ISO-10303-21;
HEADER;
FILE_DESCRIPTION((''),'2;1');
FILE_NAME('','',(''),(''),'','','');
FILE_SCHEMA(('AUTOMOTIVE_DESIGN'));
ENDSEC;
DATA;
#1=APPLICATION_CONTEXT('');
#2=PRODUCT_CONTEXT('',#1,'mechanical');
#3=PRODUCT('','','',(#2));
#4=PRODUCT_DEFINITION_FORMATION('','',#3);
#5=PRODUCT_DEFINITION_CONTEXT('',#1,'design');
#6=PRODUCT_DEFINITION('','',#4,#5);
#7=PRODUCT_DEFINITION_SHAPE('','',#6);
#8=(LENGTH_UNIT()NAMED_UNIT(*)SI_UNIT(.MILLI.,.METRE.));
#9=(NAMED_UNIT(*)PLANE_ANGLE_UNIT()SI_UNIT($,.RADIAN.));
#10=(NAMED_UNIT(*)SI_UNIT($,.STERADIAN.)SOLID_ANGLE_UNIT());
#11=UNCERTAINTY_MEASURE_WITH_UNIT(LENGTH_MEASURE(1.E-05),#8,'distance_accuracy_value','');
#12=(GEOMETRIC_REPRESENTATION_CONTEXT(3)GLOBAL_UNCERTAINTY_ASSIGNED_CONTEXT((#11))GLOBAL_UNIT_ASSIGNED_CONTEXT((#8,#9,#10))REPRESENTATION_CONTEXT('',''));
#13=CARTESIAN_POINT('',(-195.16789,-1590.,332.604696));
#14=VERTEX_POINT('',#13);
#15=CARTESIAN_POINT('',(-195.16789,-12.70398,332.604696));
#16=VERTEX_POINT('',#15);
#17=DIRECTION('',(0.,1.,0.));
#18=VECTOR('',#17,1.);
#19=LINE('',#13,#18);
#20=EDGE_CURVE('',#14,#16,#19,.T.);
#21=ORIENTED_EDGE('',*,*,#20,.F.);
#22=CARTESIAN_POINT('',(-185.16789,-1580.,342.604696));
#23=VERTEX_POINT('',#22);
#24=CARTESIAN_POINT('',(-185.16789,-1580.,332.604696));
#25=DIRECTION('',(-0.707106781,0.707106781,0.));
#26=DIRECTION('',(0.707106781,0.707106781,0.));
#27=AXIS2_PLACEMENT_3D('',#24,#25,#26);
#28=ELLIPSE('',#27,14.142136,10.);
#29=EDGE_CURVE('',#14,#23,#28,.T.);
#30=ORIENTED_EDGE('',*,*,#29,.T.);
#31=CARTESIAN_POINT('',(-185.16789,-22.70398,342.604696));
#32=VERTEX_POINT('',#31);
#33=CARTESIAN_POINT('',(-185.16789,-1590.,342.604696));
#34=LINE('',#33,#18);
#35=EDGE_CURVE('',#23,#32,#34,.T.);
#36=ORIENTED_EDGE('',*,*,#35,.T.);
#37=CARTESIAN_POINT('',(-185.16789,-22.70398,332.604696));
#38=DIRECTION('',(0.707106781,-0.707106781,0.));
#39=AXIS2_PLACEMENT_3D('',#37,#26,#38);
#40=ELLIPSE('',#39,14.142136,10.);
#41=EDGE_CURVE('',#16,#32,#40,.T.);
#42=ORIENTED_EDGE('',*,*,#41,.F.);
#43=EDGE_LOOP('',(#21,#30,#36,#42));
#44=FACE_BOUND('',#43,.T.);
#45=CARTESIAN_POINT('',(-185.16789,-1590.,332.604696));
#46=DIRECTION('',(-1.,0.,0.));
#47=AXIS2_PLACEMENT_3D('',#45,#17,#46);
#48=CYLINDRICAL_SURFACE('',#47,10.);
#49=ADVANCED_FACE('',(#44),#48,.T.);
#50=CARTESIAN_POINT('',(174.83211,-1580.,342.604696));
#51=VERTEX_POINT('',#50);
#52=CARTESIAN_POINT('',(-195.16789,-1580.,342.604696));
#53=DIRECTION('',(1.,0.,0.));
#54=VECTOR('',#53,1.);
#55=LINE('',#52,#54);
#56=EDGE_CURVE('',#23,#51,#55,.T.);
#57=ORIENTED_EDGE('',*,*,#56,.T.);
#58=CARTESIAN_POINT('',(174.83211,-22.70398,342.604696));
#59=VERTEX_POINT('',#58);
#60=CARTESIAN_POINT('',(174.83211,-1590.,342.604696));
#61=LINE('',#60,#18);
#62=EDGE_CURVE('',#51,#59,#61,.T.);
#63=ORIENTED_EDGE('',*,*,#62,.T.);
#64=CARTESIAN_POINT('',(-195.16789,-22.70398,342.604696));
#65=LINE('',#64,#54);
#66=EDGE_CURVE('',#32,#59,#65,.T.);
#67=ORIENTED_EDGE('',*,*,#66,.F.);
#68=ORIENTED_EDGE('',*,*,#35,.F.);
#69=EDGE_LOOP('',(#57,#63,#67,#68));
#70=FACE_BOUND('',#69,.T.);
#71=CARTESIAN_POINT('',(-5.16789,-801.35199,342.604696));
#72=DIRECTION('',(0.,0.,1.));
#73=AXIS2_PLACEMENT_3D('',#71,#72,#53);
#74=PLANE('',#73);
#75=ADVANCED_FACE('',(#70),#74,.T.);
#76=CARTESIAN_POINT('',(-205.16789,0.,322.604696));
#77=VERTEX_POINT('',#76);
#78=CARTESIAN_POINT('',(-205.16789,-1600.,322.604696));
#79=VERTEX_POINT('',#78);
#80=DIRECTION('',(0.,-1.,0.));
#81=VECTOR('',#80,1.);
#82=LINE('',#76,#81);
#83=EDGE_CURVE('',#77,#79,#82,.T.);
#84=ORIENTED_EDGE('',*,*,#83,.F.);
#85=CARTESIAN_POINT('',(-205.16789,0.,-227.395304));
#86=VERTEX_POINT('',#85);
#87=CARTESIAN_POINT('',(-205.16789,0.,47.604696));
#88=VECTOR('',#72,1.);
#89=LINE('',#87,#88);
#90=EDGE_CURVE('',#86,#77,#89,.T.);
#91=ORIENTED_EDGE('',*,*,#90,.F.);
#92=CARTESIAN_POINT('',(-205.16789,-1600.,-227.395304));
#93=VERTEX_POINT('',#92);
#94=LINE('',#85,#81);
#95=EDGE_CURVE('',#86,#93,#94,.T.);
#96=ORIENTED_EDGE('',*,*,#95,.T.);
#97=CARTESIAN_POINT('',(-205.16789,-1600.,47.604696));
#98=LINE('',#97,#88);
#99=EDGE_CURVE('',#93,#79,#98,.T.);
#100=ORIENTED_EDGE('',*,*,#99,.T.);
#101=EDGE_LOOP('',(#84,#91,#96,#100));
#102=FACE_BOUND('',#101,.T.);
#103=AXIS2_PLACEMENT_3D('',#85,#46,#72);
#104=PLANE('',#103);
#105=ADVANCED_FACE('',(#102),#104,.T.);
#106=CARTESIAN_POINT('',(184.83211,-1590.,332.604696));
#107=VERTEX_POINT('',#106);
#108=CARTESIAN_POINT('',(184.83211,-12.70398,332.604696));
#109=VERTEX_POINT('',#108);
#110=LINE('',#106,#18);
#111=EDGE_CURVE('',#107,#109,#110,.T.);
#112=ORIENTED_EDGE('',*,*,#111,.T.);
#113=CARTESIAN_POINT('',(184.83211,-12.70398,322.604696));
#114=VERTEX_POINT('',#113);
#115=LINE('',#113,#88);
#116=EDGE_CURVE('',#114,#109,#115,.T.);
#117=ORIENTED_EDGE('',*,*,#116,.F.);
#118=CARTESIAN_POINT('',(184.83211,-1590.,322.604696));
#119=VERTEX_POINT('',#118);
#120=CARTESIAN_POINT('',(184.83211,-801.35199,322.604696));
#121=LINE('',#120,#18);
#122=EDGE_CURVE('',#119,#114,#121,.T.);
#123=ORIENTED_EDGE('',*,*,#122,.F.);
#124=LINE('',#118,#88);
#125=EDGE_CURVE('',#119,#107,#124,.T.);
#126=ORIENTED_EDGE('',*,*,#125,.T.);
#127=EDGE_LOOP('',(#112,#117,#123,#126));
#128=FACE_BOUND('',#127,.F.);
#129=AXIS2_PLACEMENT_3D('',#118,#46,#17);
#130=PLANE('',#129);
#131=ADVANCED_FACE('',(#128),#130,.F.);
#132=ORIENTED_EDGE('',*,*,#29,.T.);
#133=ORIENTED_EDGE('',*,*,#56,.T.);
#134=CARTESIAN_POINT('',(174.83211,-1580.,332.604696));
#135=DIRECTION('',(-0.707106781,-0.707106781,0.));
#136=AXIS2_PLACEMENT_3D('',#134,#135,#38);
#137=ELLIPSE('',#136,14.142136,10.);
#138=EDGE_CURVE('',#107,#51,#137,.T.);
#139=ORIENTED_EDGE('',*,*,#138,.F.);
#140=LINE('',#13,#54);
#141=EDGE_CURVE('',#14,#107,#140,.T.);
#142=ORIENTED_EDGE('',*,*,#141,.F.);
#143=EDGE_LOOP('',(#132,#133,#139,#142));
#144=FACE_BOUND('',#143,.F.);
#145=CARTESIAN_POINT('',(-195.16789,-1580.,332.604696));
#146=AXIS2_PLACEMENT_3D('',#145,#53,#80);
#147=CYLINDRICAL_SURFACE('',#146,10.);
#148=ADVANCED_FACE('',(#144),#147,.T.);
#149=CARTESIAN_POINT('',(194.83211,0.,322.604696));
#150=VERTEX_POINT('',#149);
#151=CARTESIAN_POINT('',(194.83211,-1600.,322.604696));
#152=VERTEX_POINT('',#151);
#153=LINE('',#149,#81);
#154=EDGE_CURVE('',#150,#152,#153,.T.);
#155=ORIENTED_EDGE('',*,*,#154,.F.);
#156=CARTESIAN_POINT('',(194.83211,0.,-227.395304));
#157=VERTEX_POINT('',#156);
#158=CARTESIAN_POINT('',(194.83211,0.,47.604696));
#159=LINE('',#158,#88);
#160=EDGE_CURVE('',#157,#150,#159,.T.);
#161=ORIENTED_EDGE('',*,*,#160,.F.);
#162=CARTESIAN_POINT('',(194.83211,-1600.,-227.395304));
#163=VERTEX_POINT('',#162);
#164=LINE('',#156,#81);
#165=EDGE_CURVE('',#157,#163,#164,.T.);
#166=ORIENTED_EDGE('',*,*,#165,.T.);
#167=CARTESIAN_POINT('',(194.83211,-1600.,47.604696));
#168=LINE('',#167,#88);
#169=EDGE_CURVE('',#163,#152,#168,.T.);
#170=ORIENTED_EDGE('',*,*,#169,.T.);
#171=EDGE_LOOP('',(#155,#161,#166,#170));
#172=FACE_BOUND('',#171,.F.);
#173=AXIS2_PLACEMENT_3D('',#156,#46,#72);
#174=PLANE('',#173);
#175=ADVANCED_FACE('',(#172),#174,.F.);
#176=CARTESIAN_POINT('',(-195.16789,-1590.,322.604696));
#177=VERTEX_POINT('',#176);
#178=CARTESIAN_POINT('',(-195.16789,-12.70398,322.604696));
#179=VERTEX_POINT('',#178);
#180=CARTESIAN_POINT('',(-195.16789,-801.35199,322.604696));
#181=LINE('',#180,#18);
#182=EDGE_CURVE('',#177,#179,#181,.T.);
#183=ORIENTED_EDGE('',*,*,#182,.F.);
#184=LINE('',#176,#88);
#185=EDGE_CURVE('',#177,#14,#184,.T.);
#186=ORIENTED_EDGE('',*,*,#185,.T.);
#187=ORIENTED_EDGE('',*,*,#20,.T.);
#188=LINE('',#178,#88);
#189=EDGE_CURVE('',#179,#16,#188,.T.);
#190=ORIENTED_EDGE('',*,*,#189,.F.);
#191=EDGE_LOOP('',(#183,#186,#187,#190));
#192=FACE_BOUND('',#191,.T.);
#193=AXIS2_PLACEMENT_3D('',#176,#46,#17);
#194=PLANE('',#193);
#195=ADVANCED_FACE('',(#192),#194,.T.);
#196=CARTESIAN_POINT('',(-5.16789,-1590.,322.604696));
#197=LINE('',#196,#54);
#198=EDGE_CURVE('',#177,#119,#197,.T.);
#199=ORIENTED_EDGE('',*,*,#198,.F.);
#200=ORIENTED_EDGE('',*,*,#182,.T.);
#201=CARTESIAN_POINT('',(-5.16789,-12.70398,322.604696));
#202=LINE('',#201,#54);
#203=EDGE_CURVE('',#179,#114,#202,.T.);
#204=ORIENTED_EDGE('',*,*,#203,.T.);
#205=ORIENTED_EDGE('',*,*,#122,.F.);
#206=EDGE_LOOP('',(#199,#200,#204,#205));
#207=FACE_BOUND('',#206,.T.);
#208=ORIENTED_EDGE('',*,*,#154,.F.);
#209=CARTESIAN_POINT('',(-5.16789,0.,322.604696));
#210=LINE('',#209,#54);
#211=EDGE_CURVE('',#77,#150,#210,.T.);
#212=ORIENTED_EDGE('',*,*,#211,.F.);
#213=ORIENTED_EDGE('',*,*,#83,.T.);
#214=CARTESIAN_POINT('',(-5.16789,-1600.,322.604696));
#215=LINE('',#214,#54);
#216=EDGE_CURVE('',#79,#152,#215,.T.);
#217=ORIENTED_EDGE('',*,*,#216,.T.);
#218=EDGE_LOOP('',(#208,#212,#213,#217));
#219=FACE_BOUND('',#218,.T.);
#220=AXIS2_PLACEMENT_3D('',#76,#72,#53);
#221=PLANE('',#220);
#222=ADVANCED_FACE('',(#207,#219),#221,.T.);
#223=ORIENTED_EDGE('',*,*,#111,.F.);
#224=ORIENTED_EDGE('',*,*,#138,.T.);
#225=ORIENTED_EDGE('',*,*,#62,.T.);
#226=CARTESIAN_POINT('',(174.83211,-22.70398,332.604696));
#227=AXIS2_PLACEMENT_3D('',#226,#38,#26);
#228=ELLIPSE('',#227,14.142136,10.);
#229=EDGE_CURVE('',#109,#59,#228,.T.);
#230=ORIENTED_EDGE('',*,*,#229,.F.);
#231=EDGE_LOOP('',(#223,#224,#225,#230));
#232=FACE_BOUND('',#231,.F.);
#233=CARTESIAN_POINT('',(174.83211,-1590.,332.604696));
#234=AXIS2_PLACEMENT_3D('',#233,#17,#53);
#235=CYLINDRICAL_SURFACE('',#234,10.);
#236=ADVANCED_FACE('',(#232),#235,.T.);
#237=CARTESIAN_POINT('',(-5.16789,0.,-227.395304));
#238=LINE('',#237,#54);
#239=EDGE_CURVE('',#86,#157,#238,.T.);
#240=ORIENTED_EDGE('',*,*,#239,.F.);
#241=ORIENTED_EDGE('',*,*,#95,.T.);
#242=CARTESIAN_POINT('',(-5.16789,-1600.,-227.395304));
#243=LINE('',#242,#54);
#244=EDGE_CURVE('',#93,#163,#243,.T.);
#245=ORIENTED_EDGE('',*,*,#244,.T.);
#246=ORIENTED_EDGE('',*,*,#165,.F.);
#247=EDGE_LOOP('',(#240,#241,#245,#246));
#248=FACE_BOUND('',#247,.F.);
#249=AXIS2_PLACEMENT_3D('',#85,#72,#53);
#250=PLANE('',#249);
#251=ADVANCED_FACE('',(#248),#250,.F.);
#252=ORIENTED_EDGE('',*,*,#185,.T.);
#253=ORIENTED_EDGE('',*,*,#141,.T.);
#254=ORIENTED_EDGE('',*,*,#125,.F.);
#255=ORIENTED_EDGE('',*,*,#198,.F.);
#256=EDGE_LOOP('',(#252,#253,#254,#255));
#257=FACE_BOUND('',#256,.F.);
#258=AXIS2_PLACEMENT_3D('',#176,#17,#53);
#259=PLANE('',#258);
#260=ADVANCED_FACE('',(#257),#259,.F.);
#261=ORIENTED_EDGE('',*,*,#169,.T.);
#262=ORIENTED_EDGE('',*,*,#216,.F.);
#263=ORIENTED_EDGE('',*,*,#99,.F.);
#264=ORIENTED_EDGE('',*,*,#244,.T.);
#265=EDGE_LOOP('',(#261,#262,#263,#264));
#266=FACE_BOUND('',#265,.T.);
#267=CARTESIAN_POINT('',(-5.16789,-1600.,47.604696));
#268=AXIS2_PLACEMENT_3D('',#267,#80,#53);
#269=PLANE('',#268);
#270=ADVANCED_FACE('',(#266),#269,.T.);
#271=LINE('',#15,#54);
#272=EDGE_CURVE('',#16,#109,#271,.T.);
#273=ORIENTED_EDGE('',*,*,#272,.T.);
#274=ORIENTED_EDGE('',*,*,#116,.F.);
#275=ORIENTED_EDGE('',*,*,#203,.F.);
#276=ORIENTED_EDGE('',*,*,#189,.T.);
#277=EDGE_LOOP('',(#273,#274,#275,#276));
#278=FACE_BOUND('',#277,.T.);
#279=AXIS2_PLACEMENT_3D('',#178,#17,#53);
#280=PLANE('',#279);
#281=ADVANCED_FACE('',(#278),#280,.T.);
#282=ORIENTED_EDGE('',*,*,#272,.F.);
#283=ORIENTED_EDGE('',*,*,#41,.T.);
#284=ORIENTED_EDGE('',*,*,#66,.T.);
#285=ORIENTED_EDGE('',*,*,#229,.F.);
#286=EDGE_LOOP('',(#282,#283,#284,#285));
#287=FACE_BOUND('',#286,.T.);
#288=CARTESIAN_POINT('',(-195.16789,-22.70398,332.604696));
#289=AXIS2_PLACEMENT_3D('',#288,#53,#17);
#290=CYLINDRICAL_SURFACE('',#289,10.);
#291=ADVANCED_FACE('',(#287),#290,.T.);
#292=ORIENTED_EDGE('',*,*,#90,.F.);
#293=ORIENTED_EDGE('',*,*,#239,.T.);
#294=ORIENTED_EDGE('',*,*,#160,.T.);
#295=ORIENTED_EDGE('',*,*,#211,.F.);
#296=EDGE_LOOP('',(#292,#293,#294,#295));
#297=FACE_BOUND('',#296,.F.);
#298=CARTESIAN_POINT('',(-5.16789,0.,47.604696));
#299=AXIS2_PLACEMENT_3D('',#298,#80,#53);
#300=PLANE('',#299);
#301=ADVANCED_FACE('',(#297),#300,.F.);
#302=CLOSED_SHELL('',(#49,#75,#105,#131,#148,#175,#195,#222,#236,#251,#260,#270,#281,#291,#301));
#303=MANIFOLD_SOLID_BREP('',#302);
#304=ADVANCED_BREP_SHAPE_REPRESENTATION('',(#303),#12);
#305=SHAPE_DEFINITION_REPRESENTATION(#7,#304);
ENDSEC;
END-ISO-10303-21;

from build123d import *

# Parameters (mm, degrees)
F0_W     = 400
F0_H     = 550
F1_DEPTH = 1600
F2_W     = 380
F2_H     = 1577.29602
F3_DEPTH = 20
F4_R     = 10


with BuildPart() as f1:
    # F0 (on Front) → F1 (new body)
    with BuildSketch(Plane.XZ):
        with Locations((-5.16789, 47.604696)):
            Rectangle(F0_W, F0_H)
    extrude(amount=F1_DEPTH)

    # F2 (on face) → F3 (join)
    with BuildSketch(Plane.XY.offset(322.604696)):
        with Locations((-5.16789, -801.35199)):
            Rectangle(F2_W, F2_H)
    extrude(amount=F3_DEPTH)

    # F4
    f4_edges = [f1.edges().sort_by_distance(p)[0] for p in [
        (-5.16789, -12.70398, 342.604696),
        (-195.16789, -801.35199, 342.604696),
        (-5.16789, -1590, 342.604696),
        (184.83211, -801.35199, 342.604696),
    ]]
    fillet(f4_edges, radius=F4_R)


solid = f1.part
